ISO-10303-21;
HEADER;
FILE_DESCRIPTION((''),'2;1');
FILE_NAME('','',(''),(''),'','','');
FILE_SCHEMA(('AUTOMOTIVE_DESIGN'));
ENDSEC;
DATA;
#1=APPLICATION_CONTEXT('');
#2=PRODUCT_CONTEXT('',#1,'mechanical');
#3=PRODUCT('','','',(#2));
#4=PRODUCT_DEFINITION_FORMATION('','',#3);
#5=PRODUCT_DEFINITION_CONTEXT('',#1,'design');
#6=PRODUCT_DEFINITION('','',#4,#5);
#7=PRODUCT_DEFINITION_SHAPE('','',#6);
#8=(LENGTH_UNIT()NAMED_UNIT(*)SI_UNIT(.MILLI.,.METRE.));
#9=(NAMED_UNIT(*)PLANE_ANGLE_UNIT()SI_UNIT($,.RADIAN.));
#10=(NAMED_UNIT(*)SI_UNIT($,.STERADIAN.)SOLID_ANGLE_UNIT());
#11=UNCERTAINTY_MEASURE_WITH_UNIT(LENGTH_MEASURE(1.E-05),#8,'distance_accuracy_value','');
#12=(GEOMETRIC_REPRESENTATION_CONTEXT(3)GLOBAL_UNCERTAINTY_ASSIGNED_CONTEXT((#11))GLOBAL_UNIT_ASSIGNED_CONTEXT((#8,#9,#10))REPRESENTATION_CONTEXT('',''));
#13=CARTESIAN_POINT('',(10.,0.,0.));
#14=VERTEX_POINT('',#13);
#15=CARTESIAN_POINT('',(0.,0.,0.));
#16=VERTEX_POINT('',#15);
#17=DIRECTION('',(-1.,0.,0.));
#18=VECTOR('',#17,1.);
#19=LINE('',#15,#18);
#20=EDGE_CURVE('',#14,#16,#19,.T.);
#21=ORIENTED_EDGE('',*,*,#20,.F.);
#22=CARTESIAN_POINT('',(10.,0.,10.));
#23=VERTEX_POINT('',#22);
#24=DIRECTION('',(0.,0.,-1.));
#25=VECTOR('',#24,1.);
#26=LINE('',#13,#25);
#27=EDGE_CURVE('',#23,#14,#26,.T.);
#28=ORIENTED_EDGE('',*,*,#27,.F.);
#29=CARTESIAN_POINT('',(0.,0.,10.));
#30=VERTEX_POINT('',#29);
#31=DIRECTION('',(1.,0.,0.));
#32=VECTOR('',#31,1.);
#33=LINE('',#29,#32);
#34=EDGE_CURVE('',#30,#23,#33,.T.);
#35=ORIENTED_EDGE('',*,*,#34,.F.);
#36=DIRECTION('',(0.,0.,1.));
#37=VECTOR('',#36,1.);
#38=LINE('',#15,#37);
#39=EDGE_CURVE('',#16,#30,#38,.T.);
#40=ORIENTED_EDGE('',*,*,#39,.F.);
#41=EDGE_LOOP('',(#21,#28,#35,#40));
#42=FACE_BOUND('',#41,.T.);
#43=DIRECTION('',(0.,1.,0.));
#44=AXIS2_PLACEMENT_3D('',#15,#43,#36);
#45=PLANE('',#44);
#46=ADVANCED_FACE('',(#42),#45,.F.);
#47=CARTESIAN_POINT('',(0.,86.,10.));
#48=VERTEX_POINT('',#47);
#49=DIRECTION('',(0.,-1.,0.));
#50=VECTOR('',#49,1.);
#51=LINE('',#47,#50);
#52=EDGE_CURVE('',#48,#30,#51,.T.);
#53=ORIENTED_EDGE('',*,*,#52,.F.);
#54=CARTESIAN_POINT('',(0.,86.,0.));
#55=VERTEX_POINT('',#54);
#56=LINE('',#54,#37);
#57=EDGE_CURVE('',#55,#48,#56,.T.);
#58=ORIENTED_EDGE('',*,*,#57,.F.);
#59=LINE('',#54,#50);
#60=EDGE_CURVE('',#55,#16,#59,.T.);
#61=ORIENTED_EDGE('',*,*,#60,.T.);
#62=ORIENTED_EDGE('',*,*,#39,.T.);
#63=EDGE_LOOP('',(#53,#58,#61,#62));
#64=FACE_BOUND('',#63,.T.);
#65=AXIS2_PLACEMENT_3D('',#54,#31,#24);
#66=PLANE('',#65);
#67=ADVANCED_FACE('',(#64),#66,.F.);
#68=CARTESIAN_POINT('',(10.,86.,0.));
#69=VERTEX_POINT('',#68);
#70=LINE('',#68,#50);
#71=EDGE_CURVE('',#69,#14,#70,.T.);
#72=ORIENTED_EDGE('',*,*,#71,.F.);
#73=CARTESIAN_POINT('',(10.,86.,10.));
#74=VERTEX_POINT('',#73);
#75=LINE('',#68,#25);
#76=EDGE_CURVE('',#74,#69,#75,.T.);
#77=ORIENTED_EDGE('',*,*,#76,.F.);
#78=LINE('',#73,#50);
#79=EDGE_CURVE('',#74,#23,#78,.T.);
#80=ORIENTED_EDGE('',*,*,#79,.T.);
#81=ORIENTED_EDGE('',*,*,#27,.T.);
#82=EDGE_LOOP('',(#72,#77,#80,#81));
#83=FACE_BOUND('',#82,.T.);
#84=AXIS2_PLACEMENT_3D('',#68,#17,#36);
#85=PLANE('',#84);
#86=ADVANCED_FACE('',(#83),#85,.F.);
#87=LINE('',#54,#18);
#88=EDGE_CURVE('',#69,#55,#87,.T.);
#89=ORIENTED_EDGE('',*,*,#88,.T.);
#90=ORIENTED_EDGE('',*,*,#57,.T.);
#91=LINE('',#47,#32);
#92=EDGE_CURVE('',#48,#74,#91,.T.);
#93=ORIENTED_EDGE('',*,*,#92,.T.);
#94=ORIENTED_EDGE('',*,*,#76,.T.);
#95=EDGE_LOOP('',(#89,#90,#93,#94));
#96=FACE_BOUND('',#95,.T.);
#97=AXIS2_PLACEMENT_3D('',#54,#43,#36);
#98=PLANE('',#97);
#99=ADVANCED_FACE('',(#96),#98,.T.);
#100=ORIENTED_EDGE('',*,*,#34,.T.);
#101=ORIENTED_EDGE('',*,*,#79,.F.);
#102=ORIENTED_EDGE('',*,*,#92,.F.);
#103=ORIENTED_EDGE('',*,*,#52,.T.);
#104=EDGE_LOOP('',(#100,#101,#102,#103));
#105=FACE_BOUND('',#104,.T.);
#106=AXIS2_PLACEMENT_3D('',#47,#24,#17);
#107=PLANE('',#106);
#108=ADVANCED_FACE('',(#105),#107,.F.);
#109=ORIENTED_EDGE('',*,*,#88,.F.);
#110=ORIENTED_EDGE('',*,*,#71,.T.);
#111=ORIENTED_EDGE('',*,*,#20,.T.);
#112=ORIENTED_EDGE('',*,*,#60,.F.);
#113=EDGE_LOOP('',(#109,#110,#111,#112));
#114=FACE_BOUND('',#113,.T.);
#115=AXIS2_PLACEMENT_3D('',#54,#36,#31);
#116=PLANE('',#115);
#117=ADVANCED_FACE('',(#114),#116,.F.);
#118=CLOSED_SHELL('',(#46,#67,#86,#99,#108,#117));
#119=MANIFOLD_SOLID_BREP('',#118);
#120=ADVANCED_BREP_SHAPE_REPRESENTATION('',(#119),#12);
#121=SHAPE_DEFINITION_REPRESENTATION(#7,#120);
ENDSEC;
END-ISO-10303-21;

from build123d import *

# Parameters (mm, degrees)
SKETCH1_W           = 10
SKETCH1_H           = 10
BOSS_EXTRUDE1_DEPTH = 86


with BuildPart() as part:
    # Sketch1 → Boss-Extrude1 (new body)
    with BuildSketch(Plane(origin=(0, 0, 0), x_dir=(1, 0, 0), z_dir=(0, 1, 0))):
        with Locations((5, -5)):
            Rectangle(SKETCH1_W, SKETCH1_H)
    extrude(amount=BOSS_EXTRUDE1_DEPTH)


solid = part.part
